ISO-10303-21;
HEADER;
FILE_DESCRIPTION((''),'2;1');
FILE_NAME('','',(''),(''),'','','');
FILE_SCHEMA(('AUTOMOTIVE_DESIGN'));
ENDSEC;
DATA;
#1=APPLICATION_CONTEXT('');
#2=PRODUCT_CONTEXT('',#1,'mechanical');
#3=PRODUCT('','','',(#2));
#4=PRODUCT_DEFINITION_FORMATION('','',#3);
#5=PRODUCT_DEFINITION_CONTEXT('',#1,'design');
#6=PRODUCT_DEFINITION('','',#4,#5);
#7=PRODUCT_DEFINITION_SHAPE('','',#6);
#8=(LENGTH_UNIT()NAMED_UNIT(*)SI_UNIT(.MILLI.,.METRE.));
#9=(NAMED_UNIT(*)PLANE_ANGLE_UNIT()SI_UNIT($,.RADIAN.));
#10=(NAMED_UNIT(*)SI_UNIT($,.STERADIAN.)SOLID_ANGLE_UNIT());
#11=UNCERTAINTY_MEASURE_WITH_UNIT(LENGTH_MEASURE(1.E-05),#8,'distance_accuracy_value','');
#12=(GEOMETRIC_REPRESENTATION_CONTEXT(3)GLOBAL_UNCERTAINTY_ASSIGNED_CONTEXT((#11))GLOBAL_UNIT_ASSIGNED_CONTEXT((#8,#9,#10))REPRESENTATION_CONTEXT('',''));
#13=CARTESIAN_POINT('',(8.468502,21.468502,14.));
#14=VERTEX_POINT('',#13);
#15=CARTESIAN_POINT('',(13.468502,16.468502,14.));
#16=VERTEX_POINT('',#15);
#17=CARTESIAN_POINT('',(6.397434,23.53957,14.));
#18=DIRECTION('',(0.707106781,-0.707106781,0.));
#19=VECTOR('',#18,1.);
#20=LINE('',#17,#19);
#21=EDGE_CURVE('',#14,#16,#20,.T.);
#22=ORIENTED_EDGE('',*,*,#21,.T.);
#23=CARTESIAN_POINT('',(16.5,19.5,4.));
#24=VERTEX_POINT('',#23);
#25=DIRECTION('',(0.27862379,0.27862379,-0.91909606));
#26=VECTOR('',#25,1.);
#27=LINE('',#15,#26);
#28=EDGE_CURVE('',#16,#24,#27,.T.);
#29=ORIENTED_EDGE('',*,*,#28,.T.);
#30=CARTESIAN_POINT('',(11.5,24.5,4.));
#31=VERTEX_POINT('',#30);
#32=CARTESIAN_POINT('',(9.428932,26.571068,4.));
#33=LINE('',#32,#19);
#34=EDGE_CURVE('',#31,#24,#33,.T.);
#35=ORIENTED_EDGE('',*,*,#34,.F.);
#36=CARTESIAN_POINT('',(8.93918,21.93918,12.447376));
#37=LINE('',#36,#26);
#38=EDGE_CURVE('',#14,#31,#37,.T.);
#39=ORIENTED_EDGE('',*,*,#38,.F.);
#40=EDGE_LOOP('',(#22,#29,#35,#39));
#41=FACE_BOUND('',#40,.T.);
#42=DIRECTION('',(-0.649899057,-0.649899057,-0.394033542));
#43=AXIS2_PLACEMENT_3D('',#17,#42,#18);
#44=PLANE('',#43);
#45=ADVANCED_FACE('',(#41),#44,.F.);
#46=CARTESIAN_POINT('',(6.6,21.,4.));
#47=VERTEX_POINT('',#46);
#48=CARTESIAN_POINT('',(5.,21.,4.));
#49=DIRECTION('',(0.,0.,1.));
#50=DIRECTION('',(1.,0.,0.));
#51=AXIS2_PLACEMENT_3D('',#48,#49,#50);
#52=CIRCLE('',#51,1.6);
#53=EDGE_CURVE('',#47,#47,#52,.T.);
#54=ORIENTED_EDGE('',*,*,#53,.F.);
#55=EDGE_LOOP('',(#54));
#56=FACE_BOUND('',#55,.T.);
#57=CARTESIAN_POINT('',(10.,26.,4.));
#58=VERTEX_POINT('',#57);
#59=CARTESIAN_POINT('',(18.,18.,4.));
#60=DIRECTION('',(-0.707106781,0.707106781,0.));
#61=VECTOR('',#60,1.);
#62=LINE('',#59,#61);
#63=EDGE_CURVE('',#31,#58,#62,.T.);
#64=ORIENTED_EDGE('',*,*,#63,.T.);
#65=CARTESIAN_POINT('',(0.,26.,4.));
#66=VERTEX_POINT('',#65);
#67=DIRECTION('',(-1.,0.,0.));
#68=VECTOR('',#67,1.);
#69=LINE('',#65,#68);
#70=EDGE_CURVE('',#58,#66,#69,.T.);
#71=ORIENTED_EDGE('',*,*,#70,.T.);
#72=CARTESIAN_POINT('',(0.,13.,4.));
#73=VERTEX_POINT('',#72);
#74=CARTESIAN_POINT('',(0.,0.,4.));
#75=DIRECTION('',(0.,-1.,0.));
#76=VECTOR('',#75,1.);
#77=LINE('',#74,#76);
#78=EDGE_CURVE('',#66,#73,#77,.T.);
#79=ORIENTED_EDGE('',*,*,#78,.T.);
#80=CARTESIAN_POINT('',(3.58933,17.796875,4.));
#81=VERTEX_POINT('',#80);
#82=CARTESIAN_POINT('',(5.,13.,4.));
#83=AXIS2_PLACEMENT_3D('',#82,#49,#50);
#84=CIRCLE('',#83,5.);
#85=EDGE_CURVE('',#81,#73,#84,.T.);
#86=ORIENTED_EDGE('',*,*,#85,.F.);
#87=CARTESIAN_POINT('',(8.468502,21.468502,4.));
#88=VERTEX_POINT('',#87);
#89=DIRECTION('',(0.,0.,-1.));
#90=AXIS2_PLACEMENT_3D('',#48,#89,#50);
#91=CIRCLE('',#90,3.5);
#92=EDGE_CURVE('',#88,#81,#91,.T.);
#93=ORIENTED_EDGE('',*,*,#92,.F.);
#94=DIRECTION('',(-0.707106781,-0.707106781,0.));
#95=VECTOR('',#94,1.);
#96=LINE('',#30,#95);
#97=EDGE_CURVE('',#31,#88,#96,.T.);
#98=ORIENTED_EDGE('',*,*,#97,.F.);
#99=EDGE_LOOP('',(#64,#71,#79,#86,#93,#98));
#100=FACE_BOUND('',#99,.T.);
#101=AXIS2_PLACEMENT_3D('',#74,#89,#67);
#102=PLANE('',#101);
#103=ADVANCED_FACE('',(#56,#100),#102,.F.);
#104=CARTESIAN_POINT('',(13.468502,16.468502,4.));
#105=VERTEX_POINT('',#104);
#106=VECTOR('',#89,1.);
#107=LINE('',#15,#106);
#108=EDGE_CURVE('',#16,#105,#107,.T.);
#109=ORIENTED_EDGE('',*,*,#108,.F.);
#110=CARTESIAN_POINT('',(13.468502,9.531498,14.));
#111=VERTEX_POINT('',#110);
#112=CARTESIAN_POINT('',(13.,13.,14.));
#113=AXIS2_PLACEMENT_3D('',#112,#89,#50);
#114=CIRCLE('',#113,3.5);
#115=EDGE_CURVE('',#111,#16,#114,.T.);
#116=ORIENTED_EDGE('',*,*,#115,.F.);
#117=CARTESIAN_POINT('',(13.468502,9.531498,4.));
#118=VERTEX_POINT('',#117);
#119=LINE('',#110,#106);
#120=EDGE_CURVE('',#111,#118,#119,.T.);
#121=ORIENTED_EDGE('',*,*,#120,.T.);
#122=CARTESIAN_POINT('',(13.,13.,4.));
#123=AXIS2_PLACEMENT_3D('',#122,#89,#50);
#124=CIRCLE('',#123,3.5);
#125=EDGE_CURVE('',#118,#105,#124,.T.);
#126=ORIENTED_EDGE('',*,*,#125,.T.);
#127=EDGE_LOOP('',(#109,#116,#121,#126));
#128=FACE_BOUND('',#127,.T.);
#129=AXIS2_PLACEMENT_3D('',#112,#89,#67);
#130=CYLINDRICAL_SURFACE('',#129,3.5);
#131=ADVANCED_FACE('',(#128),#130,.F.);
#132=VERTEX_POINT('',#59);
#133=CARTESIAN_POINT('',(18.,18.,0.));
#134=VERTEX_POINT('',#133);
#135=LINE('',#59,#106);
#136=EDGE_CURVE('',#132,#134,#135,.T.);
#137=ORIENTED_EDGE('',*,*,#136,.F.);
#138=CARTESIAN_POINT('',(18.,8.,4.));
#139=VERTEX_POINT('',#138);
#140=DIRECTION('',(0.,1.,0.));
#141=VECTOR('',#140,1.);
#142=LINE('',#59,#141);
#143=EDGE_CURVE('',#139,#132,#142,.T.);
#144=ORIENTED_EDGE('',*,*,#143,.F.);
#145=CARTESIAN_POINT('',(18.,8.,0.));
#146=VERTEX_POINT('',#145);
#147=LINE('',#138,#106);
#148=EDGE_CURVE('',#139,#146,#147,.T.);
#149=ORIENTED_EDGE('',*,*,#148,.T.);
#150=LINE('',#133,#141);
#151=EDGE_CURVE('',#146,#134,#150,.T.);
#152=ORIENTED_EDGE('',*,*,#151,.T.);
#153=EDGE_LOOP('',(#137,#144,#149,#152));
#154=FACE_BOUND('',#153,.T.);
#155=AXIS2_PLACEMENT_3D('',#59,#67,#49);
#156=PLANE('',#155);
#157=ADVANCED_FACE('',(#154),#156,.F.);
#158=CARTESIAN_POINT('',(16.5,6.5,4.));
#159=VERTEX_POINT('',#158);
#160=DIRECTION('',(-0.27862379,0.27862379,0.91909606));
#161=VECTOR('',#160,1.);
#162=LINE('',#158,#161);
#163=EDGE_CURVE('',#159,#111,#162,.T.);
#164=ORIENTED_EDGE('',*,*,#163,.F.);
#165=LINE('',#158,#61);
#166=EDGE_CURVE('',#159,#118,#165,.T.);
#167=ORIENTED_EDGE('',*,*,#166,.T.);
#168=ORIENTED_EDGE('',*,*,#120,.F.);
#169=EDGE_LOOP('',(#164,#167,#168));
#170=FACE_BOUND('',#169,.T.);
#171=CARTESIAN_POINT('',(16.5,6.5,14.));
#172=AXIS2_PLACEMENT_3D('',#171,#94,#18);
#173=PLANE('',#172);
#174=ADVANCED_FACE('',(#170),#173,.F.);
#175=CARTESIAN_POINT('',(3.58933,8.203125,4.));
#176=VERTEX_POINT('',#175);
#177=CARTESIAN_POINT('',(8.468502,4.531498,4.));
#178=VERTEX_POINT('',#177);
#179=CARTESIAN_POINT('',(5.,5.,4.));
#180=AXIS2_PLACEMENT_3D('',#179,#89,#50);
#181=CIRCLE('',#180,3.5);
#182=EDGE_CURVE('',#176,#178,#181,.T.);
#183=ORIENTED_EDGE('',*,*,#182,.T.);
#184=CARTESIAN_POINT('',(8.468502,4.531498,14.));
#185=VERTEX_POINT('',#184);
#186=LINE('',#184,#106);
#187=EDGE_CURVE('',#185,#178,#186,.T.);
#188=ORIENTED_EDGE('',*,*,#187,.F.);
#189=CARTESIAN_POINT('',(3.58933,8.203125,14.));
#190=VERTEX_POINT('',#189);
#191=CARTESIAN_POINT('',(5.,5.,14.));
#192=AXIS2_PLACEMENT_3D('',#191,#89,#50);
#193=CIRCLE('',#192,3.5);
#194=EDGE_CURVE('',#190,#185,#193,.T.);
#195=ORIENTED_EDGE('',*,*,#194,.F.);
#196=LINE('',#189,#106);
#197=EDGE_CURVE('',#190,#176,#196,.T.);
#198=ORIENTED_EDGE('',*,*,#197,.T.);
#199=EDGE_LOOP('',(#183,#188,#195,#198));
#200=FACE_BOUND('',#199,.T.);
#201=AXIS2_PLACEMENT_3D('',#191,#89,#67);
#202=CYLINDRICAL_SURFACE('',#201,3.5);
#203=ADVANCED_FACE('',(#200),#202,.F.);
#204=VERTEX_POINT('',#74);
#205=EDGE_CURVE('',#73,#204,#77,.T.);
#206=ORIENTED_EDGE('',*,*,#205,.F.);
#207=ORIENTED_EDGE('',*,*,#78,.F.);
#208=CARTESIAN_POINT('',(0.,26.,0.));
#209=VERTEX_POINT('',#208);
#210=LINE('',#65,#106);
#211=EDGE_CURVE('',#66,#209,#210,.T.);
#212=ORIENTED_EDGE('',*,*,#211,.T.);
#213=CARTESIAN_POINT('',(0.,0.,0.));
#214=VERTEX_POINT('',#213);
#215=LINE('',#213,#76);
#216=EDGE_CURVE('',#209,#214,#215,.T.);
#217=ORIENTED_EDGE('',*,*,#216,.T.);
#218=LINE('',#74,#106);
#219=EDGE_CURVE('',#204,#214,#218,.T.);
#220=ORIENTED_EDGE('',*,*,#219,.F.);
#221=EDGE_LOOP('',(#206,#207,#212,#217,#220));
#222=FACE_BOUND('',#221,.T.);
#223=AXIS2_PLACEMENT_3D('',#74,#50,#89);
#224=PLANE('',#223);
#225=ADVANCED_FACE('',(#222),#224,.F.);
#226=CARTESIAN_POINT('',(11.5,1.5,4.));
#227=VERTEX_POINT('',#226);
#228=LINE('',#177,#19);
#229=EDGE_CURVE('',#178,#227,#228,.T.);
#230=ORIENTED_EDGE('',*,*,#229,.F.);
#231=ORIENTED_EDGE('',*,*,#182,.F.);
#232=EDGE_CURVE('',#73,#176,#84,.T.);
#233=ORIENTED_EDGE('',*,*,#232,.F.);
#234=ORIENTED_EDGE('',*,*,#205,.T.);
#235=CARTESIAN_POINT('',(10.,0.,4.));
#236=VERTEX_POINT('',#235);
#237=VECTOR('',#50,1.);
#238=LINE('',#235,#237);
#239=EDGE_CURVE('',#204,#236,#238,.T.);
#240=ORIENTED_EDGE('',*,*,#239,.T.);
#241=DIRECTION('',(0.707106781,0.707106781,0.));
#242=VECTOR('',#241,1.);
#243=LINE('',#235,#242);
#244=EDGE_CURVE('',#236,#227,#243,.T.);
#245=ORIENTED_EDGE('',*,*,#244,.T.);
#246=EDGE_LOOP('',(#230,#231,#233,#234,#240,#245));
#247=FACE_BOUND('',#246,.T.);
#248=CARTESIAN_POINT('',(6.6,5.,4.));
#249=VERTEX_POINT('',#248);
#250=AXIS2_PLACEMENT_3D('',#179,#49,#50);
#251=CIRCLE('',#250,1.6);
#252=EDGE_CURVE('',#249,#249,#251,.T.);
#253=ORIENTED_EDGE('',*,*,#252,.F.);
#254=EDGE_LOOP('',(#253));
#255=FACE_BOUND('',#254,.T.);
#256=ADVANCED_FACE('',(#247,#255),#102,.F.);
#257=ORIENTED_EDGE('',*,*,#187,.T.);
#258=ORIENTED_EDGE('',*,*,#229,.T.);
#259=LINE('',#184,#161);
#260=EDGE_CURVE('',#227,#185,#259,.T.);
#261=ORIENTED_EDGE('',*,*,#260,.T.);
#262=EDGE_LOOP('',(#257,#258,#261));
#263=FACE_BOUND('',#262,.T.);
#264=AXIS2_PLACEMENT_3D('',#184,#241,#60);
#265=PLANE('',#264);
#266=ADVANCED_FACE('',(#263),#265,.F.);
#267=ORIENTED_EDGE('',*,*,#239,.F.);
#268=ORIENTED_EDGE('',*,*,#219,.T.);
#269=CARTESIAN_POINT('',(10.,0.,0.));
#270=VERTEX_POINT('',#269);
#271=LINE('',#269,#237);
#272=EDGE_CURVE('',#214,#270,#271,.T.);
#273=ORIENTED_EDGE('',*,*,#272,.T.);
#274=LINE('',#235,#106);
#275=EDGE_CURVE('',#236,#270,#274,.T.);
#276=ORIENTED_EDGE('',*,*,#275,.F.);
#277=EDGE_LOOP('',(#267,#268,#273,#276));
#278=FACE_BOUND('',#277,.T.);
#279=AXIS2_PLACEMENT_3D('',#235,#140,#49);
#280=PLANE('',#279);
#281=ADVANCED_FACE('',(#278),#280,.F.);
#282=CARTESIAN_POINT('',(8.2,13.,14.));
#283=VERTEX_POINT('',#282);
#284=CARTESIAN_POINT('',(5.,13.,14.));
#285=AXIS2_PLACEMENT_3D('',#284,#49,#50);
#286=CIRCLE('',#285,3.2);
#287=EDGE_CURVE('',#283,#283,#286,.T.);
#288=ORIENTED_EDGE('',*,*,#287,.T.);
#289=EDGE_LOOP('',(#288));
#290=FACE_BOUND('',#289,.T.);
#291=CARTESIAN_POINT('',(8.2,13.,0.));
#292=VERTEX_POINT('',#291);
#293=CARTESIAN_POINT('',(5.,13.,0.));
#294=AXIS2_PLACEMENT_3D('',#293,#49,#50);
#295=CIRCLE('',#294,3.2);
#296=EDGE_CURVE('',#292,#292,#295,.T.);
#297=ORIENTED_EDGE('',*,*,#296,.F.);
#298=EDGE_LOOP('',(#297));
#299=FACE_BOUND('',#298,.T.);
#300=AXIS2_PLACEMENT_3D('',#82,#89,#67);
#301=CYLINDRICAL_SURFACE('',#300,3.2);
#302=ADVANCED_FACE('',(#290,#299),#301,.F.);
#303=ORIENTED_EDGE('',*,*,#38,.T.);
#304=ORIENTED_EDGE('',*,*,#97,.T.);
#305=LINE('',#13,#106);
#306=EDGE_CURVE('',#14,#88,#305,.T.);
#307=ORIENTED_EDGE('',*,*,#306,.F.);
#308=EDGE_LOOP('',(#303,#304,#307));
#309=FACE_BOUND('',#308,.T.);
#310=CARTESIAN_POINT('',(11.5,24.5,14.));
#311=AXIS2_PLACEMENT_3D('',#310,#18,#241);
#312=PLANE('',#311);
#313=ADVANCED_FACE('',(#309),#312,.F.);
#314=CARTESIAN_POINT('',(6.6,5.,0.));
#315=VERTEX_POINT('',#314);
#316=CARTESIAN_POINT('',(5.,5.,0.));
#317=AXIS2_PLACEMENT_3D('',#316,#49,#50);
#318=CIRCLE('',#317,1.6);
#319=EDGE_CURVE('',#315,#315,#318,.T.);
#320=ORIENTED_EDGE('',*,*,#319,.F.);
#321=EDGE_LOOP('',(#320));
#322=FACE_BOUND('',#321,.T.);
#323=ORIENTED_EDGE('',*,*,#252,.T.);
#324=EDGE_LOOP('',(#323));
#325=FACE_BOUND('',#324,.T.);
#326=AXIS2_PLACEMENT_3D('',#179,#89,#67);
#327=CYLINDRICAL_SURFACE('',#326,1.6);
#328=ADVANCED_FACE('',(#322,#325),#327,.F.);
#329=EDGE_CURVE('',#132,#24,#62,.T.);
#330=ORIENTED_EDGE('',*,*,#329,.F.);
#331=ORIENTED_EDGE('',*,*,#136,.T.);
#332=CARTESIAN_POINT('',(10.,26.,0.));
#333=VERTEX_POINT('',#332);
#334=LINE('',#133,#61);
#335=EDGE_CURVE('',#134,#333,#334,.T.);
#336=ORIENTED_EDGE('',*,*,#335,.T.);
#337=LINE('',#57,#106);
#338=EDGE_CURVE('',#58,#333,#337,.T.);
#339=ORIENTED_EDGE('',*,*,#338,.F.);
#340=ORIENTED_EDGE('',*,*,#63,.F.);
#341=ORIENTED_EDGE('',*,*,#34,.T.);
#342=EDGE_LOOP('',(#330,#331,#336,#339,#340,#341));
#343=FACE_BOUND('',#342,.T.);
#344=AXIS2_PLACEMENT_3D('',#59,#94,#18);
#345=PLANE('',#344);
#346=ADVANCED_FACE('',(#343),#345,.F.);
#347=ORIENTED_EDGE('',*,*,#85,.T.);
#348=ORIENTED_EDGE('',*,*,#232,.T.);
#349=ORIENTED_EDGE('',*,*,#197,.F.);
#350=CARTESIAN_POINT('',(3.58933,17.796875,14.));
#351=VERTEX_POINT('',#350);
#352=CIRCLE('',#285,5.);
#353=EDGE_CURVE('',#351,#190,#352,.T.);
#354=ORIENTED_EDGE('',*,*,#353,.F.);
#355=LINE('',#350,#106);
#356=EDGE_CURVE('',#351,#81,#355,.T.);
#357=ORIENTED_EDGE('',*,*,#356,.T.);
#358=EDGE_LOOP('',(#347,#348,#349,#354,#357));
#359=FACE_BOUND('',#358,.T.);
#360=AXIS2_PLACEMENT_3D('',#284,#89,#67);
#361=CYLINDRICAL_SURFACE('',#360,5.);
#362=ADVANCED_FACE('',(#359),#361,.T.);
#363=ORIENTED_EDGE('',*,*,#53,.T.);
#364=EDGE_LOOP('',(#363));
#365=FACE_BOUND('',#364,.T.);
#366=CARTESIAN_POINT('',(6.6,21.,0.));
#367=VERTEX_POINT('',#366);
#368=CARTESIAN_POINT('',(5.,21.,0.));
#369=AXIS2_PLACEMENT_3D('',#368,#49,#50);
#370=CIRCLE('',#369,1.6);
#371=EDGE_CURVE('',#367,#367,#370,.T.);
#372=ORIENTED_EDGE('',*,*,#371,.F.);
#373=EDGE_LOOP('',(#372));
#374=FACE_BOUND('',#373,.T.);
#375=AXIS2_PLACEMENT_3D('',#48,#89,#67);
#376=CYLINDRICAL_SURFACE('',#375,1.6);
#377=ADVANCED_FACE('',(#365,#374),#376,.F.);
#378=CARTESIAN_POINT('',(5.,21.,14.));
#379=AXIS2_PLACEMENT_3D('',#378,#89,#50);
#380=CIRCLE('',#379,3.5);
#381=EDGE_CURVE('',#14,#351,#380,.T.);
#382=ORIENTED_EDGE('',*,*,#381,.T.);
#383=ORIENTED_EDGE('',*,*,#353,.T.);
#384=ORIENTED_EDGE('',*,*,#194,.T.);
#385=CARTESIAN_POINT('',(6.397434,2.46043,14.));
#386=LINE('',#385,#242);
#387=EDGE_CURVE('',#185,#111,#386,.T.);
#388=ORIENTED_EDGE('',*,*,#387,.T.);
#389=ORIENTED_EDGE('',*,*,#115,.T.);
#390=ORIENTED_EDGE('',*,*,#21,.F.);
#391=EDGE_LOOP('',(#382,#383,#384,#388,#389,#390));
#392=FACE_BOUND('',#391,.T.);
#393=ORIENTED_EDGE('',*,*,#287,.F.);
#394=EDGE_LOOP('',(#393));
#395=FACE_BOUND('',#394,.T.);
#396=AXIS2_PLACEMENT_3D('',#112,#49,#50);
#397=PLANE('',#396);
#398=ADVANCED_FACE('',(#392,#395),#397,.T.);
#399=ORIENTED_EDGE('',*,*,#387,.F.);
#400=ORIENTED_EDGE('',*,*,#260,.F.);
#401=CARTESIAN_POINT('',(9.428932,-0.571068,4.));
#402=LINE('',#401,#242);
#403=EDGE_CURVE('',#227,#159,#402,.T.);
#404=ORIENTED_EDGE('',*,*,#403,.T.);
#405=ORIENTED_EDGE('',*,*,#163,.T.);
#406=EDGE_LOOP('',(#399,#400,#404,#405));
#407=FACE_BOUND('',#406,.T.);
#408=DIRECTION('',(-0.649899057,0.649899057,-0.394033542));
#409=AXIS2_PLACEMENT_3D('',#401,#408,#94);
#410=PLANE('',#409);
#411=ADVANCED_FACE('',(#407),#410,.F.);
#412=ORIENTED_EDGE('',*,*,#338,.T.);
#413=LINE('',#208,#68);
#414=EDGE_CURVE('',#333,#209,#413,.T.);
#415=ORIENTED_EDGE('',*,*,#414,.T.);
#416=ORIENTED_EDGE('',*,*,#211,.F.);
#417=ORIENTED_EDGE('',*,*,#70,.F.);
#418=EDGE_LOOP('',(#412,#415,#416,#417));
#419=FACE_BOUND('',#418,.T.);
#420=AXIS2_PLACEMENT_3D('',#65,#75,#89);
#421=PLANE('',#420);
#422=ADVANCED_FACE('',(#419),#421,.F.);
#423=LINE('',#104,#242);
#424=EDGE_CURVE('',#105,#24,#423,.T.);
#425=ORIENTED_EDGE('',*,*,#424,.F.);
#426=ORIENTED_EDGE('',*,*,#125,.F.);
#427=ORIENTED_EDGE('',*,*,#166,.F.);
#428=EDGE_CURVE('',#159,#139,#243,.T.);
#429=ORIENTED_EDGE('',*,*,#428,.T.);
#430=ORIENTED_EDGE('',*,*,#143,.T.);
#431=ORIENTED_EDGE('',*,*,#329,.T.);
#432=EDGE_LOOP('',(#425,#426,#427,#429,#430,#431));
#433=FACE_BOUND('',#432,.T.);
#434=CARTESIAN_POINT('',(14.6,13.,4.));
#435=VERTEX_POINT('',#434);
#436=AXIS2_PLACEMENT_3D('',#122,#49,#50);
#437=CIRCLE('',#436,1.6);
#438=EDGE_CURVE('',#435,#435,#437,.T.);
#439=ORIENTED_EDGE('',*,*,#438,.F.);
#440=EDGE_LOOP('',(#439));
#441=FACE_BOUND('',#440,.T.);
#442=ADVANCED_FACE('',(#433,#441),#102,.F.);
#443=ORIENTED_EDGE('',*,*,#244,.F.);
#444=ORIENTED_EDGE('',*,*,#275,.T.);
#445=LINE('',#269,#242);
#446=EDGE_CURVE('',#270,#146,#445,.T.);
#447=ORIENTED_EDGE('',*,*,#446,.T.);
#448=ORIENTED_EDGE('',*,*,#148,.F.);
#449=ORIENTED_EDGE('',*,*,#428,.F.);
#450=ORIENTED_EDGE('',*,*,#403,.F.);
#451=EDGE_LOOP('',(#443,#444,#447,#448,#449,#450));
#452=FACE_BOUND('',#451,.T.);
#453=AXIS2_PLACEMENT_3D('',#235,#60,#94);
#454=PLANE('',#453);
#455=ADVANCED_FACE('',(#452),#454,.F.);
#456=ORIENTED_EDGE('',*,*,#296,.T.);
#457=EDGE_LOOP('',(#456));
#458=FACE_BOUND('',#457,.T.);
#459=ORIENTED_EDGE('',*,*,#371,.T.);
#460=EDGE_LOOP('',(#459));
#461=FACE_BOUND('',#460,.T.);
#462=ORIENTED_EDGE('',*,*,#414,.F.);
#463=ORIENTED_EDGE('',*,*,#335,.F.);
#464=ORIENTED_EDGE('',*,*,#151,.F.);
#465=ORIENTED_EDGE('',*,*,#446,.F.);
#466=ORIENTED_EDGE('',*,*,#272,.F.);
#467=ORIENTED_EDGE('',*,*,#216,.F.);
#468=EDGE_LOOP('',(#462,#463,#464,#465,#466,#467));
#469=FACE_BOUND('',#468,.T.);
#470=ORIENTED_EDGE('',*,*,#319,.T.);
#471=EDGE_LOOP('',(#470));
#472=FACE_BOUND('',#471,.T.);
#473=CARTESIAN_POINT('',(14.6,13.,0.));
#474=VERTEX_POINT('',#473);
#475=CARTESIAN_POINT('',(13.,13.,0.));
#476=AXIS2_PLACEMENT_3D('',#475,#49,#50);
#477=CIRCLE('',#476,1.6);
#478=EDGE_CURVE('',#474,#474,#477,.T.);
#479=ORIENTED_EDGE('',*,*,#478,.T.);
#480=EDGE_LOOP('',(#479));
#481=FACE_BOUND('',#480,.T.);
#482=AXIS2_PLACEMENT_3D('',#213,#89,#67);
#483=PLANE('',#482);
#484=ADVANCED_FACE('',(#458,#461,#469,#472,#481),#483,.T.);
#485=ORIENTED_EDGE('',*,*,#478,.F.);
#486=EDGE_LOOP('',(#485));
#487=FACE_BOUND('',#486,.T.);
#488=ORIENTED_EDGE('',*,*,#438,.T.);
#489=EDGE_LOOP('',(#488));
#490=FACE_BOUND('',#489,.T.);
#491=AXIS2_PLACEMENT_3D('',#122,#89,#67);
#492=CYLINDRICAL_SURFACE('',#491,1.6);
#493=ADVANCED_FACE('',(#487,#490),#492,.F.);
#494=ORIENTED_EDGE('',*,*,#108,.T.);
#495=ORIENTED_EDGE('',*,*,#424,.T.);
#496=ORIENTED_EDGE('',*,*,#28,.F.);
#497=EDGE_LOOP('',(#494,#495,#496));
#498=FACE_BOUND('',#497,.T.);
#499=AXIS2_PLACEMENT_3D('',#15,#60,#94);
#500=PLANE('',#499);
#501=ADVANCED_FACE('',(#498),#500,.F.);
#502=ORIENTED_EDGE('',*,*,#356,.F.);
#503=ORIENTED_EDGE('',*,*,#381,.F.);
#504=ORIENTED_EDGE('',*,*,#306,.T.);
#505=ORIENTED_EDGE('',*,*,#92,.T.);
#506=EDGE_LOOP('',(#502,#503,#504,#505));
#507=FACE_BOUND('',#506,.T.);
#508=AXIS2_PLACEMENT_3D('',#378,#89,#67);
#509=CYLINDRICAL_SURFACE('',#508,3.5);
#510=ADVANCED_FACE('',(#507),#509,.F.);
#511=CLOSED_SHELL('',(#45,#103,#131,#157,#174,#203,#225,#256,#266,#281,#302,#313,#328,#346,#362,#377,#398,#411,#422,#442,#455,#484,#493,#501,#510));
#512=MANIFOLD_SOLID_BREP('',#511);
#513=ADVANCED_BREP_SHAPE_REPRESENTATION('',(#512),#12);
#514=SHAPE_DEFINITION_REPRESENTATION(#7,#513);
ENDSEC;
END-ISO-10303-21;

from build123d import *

# Parameters (mm, degrees)
SKETCH_1_R          = 1.6
SKETCH_1_R_2        = 3.2
EXTRUDE_1_DEPTH     = 4
SKETCH_2_R          = 3.2
EXTRUDE_2_DEPTH     = 10
CUT_EXTRUDE_1_DEPTH = 10
CUT_EXTRUDE_2_DEPTH = 10


with BuildPart() as part:
    # 草图1 → 凸台-拉伸1 (new body)
    with BuildSketch(Plane.XY):
        Polygon((0, 0), (0, 26), (10, 26), (18, 18), (18, 8), (10, 0), align=None)
        with Locations((5, 21)):
            Circle(SKETCH_1_R, mode=Mode.SUBTRACT)
        with Locations((5, 13)):
            Circle(SKETCH_1_R_2, mode=Mode.SUBTRACT)
        with Locations((5, 5)):
            Circle(SKETCH_1_R, mode=Mode.SUBTRACT)
        with Locations((13, 13)):
            Circle(SKETCH_1_R, mode=Mode.SUBTRACT)
    extrude(amount=EXTRUDE_1_DEPTH)

    # 草图2 → 凸台-拉伸2 (add)
    with BuildSketch(Plane.XY.offset(4)):
        with BuildLine():
            Line((13.468501969, 16.468501969), (16.5, 19.5))
            Line((16.5, 19.5), (11.5, 24.5))
            Line((11.5, 24.5), (8.468501969, 21.468501969))
            ThreePointArc((8.468501969, 21.468501969), (7.104490226, 18.203373302), (3.589329863, 17.796875))
            ThreePointArc((3.589329863, 17.796875), (0, 13), (3.589329863, 8.203125))
            ThreePointArc((3.589329863, 8.203125), (7.104490226, 7.796626698), (8.468501969, 4.531498031))
            Line((8.468501969, 4.531498031), (11.5, 1.5))
            Line((11.5, 1.5), (16.5, 6.5))
            Line((16.5, 6.5), (13.468501969, 9.531498031))
            ThreePointArc((13.468501969, 9.531498031), (9.5, 13), (13.468501969, 16.468501969))
        make_face()
        with Locations((5, 13)):
            Circle(SKETCH_2_R, mode=Mode.SUBTRACT)
    extrude(amount=EXTRUDE_2_DEPTH)

    # 草图3 → 切除-拉伸1 (cut)
    with BuildSketch(Plane(origin=(-1.5, 1.5, 0), x_dir=(0, 0, -1), z_dir=(0.707106781, -0.707106781, 0))):
        Polygon((-4, 25.455844123), (-14, 25.455844123), (-14, 21.168658492), align=None)
    extrude(amount=-CUT_EXTRUDE_1_DEPTH, mode=Mode.SUBTRACT)

    # 草图4 → 切除-拉伸2 (cut)
    with BuildSketch(Plane(origin=(11.5, 11.5, 0), x_dir=(0, 0, -1), z_dir=(0.707106781, 0.707106781, 0))):
        Polygon((-4, -7.071067812), (-14, -2.783882181), (-14, -7.071067812), align=None)
    extrude(amount=-CUT_EXTRUDE_2_DEPTH, mode=Mode.SUBTRACT)


solid = part.part
